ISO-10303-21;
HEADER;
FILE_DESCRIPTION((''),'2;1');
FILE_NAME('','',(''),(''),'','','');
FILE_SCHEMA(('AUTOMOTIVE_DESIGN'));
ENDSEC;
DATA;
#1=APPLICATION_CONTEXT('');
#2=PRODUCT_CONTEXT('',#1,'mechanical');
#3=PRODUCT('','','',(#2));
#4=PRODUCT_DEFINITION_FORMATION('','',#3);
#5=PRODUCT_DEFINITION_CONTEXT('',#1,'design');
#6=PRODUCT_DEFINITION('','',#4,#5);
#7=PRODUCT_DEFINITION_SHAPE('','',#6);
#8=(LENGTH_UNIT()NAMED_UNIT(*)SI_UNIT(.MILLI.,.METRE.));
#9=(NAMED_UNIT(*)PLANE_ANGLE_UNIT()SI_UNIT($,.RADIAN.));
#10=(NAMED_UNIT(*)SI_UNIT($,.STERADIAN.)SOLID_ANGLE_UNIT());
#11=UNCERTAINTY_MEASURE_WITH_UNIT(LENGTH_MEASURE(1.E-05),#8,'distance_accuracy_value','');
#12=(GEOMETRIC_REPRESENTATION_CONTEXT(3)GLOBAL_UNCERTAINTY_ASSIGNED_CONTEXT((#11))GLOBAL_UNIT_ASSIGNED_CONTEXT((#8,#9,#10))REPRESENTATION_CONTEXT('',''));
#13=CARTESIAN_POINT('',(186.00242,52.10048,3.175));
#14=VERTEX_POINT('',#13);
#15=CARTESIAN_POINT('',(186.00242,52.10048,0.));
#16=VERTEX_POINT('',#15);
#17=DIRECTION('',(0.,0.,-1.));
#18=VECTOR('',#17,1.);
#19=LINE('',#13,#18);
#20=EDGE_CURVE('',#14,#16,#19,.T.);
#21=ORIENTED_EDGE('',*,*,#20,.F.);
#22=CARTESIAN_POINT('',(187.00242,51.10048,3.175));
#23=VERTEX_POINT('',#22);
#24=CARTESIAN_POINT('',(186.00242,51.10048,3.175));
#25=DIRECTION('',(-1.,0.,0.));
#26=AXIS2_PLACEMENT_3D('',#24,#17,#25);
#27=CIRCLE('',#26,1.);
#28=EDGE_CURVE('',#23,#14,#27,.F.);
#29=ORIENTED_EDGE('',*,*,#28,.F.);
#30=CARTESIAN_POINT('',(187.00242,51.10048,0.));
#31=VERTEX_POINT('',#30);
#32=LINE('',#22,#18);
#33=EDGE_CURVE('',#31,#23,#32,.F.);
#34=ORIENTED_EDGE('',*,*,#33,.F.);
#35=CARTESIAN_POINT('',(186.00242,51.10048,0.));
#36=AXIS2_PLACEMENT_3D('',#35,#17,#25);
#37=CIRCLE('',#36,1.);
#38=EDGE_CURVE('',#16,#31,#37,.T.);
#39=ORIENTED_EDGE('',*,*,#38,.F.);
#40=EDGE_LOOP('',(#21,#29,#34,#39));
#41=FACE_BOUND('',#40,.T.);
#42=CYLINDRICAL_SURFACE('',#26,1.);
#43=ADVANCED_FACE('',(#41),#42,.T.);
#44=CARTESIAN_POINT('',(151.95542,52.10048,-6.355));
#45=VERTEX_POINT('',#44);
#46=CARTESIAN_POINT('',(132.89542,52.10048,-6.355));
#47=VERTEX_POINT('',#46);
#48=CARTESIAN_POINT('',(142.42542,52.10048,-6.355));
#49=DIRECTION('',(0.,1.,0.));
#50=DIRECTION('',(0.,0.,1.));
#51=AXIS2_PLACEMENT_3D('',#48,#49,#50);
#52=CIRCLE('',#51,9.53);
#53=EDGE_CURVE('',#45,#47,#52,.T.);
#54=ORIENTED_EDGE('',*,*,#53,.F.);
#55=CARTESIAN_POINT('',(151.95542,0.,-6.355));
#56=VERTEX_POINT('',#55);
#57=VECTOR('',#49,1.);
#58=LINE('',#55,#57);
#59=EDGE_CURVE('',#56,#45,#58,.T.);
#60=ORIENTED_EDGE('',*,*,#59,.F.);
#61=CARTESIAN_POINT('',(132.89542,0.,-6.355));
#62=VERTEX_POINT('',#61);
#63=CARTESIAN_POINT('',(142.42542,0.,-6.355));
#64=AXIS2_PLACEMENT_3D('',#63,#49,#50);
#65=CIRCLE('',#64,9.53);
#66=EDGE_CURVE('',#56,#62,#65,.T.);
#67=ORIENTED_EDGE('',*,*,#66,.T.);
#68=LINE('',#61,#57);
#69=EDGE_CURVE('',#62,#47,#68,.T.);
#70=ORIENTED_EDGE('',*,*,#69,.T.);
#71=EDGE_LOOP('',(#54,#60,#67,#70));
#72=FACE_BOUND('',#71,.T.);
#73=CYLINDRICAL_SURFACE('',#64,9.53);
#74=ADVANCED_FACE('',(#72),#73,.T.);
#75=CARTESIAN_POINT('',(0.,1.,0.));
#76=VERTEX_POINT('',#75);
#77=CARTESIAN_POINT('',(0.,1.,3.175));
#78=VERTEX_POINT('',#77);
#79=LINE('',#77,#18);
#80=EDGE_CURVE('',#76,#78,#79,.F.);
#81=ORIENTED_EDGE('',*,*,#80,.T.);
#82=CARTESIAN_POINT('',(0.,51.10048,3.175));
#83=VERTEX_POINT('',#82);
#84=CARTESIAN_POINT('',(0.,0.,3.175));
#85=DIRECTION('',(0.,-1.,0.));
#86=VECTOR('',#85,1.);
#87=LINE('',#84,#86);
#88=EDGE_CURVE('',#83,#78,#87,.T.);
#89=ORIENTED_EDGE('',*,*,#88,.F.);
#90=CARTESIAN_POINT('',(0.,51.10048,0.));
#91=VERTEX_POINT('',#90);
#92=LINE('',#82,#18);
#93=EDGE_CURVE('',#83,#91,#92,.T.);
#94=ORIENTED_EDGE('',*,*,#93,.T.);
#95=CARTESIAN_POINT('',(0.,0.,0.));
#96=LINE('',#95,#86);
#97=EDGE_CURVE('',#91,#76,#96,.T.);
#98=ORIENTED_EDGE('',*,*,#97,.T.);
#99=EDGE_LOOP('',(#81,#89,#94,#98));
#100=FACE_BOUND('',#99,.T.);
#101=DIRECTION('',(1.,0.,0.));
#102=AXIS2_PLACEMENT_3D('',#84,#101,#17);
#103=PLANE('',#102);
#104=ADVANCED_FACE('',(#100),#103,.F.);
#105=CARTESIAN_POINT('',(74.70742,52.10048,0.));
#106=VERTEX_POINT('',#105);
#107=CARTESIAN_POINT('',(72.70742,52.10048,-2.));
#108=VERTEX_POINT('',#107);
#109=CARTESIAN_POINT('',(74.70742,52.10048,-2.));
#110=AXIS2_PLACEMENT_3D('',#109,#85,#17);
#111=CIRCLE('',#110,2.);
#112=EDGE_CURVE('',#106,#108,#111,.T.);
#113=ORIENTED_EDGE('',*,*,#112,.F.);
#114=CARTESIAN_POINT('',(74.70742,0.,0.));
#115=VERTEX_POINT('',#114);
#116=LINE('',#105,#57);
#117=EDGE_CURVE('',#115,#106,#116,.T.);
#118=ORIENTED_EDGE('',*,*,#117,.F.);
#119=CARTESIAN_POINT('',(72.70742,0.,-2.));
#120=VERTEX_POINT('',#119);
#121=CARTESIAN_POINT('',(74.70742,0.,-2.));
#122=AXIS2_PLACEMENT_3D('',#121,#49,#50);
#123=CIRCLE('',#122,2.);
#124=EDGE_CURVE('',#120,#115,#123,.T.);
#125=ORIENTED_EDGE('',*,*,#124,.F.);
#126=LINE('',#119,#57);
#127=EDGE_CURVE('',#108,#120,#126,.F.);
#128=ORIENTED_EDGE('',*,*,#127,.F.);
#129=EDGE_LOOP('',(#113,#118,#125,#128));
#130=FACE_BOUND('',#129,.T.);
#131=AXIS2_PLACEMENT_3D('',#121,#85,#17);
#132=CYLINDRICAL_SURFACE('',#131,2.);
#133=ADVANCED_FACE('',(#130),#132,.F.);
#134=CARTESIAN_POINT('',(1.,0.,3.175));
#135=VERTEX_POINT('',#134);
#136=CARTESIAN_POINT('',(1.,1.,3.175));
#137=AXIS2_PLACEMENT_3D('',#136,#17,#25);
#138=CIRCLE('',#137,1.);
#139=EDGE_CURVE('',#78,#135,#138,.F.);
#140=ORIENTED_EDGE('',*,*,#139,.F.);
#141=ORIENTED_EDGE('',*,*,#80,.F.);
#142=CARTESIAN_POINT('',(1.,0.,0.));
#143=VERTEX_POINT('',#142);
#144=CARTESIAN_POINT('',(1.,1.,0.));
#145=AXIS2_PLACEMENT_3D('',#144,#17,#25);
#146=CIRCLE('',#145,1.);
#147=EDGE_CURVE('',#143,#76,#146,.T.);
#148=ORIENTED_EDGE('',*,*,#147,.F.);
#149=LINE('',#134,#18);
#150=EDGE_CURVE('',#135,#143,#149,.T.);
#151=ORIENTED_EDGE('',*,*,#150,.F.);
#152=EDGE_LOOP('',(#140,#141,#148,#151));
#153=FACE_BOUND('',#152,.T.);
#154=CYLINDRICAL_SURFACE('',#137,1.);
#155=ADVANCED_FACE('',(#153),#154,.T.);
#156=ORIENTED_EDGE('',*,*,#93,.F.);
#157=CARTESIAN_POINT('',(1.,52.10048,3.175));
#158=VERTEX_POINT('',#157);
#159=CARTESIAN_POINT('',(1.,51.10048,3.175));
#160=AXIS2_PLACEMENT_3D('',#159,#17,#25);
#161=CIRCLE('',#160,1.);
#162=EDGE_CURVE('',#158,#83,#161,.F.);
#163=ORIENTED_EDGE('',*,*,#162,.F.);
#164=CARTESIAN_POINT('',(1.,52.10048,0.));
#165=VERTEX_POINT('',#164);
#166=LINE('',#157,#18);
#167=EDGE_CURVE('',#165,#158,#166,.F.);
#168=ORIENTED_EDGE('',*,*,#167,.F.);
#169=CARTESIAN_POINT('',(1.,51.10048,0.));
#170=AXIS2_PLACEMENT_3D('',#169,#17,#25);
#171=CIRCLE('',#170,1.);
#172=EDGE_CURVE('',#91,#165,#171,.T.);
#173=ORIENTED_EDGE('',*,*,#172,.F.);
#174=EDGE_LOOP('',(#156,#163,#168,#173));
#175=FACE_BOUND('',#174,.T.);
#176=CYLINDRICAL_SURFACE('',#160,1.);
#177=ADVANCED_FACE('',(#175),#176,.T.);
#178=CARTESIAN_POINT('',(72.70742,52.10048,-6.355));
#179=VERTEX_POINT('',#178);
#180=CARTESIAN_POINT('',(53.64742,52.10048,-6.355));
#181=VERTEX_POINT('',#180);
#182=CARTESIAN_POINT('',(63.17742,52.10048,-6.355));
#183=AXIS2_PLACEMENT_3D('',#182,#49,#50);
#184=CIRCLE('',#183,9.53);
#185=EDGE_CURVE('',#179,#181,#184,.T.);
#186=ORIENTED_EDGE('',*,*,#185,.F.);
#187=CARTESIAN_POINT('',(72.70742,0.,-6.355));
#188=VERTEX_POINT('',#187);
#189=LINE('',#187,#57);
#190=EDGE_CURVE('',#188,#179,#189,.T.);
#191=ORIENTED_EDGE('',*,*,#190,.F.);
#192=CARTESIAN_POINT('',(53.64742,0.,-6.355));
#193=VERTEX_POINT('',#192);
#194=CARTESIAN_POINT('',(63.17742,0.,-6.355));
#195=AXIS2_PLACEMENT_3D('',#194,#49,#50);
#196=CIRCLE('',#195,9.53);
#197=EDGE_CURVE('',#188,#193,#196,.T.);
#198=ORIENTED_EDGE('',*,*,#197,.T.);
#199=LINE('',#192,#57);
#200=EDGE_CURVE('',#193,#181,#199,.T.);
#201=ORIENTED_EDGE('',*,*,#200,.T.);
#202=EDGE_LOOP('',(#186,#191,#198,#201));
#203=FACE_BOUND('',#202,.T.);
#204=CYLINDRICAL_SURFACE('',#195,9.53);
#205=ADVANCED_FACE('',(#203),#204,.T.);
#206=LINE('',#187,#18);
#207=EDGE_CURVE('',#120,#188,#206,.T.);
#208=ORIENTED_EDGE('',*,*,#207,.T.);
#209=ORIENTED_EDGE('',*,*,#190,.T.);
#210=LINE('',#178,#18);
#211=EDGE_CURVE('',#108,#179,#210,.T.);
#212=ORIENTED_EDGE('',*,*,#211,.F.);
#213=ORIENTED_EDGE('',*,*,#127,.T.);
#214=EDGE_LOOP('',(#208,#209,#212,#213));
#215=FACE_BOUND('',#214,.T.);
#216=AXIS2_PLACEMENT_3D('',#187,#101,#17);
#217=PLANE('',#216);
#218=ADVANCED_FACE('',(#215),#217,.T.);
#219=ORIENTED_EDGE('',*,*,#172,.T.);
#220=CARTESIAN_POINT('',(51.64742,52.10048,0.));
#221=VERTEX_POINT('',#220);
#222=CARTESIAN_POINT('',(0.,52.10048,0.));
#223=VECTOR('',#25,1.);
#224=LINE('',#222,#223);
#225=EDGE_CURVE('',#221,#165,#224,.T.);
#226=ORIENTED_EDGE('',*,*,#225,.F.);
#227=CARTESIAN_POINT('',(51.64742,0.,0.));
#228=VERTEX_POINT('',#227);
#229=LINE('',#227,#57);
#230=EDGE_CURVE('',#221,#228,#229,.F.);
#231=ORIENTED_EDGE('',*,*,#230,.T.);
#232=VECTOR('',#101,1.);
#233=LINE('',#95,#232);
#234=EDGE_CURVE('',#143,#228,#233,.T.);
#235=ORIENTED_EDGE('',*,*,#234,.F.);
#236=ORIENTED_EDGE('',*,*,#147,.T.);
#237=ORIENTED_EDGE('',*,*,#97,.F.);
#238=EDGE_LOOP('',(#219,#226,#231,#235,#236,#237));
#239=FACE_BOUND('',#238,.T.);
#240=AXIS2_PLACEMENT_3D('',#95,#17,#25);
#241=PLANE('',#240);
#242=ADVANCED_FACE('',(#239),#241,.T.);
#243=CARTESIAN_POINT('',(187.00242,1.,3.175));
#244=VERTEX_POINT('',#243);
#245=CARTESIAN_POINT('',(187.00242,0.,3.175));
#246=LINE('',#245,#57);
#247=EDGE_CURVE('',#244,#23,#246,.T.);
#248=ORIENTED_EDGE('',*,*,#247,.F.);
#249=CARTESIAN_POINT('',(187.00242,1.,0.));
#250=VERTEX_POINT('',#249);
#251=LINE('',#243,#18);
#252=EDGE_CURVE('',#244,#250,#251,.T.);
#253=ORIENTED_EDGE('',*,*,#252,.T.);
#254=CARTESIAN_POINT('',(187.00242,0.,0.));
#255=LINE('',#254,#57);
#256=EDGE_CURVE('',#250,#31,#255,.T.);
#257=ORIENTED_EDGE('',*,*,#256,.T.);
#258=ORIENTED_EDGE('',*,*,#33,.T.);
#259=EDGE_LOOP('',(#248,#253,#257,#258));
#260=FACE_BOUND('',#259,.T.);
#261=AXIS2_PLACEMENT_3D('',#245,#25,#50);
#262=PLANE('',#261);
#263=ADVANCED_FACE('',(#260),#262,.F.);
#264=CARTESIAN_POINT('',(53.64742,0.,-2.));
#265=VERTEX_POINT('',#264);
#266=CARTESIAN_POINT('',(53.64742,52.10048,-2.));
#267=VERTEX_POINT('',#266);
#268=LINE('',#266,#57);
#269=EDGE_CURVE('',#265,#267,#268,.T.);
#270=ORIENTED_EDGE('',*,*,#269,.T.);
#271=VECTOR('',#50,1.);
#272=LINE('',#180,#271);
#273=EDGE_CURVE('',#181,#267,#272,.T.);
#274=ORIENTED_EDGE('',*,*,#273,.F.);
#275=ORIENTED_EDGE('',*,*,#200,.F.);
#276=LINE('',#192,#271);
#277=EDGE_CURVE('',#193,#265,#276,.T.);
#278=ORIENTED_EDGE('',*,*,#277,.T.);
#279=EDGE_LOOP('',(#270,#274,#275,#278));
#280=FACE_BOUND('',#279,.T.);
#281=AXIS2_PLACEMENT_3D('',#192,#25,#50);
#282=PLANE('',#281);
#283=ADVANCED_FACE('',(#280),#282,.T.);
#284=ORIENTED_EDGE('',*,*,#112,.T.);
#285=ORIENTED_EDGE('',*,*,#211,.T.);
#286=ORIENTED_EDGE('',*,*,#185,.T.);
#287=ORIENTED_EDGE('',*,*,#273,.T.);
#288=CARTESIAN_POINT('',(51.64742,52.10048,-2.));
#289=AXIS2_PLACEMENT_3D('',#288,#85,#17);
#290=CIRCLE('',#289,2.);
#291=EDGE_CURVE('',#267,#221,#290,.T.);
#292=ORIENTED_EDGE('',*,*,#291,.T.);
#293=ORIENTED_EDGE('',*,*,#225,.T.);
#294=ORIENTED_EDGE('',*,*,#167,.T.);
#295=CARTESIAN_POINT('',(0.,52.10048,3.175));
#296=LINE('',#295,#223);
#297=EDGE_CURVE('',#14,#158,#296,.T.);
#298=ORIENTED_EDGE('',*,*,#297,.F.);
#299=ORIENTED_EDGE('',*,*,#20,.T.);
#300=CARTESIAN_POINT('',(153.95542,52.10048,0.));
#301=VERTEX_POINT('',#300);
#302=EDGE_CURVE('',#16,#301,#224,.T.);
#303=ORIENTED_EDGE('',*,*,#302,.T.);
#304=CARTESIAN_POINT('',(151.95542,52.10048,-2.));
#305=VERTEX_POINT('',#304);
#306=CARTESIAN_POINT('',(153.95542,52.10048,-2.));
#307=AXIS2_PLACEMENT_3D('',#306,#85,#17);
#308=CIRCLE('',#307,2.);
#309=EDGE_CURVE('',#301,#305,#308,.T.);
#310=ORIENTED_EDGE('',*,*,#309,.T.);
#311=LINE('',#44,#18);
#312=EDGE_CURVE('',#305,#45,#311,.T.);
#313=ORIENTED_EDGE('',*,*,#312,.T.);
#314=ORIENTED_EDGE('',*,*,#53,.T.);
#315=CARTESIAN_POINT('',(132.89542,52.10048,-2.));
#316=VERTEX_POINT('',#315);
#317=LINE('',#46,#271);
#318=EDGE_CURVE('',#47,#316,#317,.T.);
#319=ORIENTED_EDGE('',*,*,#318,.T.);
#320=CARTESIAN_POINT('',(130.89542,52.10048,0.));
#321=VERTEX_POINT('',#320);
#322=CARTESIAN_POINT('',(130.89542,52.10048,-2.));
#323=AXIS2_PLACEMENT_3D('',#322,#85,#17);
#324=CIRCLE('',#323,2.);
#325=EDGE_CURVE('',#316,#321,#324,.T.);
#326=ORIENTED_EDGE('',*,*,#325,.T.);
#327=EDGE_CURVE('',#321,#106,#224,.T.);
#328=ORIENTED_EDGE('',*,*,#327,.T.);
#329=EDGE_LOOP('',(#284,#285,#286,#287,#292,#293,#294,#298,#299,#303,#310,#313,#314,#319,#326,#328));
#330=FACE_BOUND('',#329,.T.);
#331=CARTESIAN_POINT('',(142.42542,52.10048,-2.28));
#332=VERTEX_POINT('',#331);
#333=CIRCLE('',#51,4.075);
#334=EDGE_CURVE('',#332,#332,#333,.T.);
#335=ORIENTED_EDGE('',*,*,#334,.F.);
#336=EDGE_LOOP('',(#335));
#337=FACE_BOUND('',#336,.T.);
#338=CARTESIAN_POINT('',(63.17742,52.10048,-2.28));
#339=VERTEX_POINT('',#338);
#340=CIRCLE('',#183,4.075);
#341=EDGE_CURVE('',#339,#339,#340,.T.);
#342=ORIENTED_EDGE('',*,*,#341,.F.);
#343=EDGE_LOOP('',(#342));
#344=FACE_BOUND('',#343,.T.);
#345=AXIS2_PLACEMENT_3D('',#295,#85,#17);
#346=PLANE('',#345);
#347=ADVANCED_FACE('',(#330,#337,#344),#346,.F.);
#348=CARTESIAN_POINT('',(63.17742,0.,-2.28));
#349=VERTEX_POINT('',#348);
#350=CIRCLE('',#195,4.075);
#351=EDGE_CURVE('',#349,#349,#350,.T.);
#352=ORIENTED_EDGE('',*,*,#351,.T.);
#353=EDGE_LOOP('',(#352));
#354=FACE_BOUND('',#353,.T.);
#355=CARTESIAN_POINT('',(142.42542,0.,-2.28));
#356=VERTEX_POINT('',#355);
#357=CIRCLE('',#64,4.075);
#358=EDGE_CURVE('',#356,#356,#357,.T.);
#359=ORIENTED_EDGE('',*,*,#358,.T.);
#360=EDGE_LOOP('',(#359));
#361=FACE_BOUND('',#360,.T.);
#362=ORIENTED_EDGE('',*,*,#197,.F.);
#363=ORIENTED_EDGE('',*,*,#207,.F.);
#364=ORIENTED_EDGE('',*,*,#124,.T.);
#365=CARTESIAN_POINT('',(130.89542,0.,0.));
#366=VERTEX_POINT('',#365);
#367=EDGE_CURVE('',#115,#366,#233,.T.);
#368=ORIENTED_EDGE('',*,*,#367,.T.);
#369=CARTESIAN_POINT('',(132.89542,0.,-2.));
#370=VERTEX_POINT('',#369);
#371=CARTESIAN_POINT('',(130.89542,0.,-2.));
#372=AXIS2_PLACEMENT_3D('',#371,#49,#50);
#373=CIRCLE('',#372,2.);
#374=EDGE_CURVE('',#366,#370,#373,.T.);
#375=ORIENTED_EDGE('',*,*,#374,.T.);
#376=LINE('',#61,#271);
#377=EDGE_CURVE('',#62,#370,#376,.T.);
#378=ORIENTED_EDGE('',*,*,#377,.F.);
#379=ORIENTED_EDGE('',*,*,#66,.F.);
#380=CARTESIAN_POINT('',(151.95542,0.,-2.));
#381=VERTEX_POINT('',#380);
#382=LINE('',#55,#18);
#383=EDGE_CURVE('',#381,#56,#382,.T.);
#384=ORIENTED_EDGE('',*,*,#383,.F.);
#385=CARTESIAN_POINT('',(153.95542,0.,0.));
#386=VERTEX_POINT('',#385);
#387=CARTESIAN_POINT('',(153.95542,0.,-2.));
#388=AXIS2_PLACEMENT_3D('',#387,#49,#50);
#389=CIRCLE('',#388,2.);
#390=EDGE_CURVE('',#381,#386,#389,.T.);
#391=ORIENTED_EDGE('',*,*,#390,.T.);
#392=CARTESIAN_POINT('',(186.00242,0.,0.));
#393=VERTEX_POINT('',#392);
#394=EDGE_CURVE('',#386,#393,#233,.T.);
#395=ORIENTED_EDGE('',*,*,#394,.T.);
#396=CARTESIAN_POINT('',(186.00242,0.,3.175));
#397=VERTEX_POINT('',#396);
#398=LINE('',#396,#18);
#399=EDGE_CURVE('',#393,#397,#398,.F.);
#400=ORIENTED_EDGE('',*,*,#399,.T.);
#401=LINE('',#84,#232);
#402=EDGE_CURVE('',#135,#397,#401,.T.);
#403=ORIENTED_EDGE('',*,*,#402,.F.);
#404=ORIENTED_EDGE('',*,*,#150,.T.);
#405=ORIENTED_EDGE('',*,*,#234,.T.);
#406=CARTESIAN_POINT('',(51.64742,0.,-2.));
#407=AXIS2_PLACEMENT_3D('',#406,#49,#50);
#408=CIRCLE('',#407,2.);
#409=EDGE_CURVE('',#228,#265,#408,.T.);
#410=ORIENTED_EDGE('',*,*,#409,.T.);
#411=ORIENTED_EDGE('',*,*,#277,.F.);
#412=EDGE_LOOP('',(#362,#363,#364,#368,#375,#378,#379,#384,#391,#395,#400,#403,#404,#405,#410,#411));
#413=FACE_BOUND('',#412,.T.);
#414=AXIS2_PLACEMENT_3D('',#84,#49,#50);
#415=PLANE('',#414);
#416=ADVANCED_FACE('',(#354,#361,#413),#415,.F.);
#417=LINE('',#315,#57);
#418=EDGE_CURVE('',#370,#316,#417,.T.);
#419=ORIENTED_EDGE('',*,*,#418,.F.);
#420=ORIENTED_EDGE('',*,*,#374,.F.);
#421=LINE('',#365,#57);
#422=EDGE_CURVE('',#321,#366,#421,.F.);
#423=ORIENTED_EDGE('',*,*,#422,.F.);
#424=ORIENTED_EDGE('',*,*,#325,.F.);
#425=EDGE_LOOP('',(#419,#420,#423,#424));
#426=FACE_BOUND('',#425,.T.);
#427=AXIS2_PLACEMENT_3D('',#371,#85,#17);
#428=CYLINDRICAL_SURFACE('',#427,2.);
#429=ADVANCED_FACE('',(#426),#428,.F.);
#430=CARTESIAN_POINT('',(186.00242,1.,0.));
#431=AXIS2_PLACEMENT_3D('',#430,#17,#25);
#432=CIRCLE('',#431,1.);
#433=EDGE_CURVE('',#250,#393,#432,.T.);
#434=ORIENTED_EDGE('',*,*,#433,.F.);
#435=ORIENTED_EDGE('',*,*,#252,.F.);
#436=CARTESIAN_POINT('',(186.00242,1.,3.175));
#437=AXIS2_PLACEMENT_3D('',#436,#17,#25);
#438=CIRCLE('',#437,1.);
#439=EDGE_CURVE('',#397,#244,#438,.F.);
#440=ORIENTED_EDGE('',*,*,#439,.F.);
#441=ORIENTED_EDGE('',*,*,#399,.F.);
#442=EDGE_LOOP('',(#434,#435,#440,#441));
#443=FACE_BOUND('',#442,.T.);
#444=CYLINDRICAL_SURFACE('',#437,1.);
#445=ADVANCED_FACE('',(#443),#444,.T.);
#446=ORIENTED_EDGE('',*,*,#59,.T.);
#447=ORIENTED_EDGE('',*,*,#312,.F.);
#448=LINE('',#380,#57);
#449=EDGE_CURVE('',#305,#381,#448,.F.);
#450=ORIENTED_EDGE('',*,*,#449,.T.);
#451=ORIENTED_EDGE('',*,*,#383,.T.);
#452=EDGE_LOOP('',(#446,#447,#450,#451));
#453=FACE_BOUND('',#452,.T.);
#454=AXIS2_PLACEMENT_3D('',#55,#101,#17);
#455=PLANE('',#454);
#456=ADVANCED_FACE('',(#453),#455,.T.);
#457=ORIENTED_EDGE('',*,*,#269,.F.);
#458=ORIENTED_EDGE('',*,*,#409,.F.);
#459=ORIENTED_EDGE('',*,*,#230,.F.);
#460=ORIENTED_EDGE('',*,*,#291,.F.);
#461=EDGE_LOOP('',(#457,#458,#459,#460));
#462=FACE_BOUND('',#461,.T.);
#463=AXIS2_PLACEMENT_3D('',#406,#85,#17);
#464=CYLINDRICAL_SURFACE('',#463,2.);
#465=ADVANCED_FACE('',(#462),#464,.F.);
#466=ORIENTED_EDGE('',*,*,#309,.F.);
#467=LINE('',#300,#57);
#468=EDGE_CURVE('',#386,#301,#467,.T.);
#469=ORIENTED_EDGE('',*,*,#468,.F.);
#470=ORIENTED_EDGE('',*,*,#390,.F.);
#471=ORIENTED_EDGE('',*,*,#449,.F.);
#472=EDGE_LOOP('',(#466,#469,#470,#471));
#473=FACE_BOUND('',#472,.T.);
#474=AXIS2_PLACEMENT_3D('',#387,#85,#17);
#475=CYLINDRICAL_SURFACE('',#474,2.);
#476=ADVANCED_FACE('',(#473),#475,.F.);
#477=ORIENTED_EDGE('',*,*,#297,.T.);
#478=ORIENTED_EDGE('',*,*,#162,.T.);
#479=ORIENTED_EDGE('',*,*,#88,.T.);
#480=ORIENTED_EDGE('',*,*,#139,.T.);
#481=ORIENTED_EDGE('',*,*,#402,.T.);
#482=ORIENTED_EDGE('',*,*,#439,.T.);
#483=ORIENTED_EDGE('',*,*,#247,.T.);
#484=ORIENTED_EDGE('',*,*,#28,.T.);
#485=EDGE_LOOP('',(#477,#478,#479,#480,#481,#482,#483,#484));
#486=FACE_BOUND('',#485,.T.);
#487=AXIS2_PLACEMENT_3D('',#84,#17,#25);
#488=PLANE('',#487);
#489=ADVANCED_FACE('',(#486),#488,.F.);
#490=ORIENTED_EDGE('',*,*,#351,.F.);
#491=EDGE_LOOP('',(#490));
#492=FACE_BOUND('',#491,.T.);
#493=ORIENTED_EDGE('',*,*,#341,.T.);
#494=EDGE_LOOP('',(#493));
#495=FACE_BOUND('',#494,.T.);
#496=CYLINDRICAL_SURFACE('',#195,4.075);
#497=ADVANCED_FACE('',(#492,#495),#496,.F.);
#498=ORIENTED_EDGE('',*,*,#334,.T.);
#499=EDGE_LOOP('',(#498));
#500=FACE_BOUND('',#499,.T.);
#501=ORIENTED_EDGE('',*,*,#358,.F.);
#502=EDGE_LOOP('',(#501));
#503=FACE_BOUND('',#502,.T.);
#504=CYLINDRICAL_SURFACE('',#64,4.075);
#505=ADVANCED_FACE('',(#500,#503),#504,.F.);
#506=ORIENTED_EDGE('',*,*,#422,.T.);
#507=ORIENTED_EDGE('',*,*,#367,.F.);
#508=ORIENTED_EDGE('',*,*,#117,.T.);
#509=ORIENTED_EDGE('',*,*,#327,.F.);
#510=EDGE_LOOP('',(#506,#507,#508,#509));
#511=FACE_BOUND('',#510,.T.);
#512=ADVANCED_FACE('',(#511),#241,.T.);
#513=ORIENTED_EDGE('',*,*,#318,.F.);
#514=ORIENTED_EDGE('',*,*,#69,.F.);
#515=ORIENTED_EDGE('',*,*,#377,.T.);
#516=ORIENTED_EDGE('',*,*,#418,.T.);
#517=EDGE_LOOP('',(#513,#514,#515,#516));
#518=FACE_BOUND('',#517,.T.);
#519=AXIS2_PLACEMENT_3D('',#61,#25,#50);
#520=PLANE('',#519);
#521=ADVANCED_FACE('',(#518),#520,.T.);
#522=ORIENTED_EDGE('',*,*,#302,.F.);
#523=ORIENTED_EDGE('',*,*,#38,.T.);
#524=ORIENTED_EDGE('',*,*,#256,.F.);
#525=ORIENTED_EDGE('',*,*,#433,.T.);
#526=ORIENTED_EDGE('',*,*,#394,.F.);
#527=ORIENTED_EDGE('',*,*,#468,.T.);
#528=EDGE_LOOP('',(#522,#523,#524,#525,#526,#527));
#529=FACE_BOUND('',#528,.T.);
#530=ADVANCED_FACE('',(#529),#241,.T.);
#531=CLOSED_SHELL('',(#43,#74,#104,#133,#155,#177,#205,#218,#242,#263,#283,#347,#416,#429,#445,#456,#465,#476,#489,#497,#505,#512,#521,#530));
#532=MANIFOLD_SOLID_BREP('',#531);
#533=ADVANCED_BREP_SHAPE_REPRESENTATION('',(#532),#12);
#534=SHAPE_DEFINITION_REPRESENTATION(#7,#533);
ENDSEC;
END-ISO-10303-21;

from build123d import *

# Parameters (mm, degrees)
SKETCH2_W           = 187.00242
SKETCH2_H           = 52.10048
BOSS_EXTRUDE1_DEPTH = 3.175
SKETCH4_R           = 4.074999978
BOSS_EXTRUDE2_DEPTH = 52.10048
FILLET1_R           = 2
FILLET2_R           = 1


with BuildPart() as part:
    # Sketch2 → Boss-Extrude1 (new body)
    with BuildSketch(Plane.XY):
        with Locations((93.50121, 26.05024)):
            Rectangle(SKETCH2_W, SKETCH2_H)
    extrude(amount=BOSS_EXTRUDE1_DEPTH)

    # Sketch4 → Boss-Extrude2 (add, through all)
    # profile 1 of 2: a face of its own
    with BuildSketch(Plane(origin=(0, 52.10048, 0), x_dir=(1, 0, 0), z_dir=(0, 1, 0))):
        with BuildLine():
            Line((53.64742001, 0), (72.70741999, 0))
            Line((72.70741999, 0), (72.70741999, 6.35499999))
            ThreePointArc((72.70741999, 6.35499999), (63.17742, 15.88499998), (53.64742001, 6.35499999))
            Line((53.64742001, 6.35499999), (53.64742001, 0))
        make_face()
        with Locations(Location((63.17742, 6.35499999, 0), (0, 0, 270))):
            Circle(SKETCH4_R, mode=Mode.SUBTRACT)
    # profile 2 of 2: a face of its own
    with BuildSketch(Plane(origin=(0, 52.10048, 0), x_dir=(1, 0, 0), z_dir=(0, 1, 0))):
        with BuildLine():
            Line((132.89542001, 6.35499999), (132.89542001, 0))
            Line((132.89542001, 0), (151.95541999, 0))
            Line((151.95541999, 0), (151.95541999, 6.35499999))
            ThreePointArc((151.95541999, 6.35499999), (142.42542, 15.88499998), (132.89542001, 6.35499999))
        make_face()
        with Locations(Location((142.42542, 6.35499999, 0), (0, 0, 270))):
            Circle(SKETCH4_R, mode=Mode.SUBTRACT)
    extrude(amount=-BOSS_EXTRUDE2_DEPTH)

    # Fillet1
    fillet1_edges = [part.edges().sort_by_distance(p)[0] for p in [
        (72.70741999, 26.05024, 0),
        (53.64742001, 26.05024, 0),
        (151.95541999, 26.05024, 0),
        (132.89542001, 26.05024, 0),
    ]]
    fillet(fillet1_edges, radius=FILLET1_R)

    # Fillet2
    fillet2_edges = [part.edges().sort_by_distance(p)[0] for p in [
        (0, 52.10048, 1.5875),
        (187.00242, 52.10048, 1.5875),
        (187.00242, 0, 1.5875),
        (0, 0, 1.5875),
    ]]
    fillet(fillet2_edges, radius=FILLET2_R)


solid = part.part
